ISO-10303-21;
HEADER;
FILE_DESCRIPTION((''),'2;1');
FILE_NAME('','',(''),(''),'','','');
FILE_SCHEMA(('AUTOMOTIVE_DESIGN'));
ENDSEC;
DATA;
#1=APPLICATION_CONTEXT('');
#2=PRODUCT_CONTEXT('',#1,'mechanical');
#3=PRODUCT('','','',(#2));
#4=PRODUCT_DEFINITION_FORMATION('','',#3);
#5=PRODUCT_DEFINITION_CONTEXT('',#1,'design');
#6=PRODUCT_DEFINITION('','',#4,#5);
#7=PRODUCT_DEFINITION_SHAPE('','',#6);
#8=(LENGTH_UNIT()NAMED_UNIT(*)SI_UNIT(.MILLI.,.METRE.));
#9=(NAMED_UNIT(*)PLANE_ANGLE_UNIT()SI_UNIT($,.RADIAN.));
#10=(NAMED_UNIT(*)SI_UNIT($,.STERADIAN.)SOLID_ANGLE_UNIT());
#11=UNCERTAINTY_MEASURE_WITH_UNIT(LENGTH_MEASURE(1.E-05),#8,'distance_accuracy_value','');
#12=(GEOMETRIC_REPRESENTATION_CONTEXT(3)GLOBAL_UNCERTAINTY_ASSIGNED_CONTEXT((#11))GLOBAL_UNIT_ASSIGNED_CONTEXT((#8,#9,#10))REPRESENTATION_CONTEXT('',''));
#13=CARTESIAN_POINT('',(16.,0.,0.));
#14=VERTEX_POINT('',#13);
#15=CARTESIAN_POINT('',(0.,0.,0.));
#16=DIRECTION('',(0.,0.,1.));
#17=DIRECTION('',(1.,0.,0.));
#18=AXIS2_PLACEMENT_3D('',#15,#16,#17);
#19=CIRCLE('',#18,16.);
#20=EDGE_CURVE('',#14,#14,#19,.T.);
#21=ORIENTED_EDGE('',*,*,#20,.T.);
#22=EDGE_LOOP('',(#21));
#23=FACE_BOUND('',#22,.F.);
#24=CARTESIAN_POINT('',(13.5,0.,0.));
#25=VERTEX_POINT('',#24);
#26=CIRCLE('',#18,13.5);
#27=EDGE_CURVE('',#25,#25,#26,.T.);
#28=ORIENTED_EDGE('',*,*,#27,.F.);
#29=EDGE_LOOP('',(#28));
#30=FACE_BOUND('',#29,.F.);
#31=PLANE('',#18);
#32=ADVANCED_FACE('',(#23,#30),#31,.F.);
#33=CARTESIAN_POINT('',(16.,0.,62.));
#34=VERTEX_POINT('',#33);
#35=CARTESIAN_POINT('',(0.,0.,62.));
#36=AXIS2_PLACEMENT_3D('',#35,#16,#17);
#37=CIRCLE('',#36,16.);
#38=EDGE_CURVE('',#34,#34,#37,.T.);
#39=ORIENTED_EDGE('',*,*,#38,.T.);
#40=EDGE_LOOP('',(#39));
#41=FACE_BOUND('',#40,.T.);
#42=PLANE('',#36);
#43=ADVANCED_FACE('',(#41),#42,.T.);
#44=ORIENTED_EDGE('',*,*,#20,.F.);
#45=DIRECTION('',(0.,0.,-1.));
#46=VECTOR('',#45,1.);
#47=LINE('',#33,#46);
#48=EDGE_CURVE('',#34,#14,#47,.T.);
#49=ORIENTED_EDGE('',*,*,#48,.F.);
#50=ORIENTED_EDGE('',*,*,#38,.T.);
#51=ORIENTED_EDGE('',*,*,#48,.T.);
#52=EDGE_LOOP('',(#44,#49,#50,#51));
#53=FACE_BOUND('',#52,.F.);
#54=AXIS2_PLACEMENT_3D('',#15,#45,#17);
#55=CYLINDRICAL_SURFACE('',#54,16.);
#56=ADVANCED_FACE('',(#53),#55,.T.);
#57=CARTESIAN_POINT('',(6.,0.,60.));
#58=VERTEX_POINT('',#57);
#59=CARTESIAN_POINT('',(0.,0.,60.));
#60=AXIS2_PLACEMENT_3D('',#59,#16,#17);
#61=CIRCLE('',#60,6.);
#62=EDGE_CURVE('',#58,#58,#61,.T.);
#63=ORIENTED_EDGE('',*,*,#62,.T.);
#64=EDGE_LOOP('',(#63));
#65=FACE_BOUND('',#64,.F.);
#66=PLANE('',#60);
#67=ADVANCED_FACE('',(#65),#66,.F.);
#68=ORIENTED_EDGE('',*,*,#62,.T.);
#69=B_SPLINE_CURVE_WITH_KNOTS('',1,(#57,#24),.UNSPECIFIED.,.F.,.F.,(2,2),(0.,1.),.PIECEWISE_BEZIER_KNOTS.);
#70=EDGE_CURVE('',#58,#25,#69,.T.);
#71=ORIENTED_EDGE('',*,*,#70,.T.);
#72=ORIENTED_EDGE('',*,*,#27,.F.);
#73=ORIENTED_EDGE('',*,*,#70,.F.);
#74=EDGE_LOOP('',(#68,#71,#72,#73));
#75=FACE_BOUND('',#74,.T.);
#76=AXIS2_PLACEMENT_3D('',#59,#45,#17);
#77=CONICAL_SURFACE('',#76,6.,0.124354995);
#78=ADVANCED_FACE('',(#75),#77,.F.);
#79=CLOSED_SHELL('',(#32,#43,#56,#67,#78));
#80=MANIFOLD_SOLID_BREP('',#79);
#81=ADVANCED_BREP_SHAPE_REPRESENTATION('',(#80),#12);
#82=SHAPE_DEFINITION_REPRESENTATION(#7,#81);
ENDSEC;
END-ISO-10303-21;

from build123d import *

# Parameters (mm, degrees)
F3_R        = 16
F4_DEPTH    = 60
F2_R        = 6
F0_R        = 13.5
F4_FACE_R   = 16
F4_FACE_R_2 = 6
F6_DEPTH    = 2


with BuildPart() as f4:
    # F3 (on Top) → F4 (new body)
    with BuildSketch(Plane.XY):
        Circle(F3_R)
    extrude(amount=F4_DEPTH)

    # F2 (on offset) → F5 section 0
    with BuildSketch(Plane.XY.offset(60)):
        Circle(F2_R)
    # F0 (on Top) → F5 section 1
    with BuildSketch(Plane.XY):
        Circle(F0_R)
    loft(mode=Mode.SUBTRACT)

    # F2 (on offset) + F4_face (on face) → F6 (join)
    with BuildSketch(Plane.XY.offset(60)):
        Circle(F2_R)
    with BuildSketch(Plane.XY.offset(60)):
        Circle(F4_FACE_R)
        Circle(F4_FACE_R_2, mode=Mode.SUBTRACT)
    extrude(amount=F6_DEPTH)


solid = f4.part
